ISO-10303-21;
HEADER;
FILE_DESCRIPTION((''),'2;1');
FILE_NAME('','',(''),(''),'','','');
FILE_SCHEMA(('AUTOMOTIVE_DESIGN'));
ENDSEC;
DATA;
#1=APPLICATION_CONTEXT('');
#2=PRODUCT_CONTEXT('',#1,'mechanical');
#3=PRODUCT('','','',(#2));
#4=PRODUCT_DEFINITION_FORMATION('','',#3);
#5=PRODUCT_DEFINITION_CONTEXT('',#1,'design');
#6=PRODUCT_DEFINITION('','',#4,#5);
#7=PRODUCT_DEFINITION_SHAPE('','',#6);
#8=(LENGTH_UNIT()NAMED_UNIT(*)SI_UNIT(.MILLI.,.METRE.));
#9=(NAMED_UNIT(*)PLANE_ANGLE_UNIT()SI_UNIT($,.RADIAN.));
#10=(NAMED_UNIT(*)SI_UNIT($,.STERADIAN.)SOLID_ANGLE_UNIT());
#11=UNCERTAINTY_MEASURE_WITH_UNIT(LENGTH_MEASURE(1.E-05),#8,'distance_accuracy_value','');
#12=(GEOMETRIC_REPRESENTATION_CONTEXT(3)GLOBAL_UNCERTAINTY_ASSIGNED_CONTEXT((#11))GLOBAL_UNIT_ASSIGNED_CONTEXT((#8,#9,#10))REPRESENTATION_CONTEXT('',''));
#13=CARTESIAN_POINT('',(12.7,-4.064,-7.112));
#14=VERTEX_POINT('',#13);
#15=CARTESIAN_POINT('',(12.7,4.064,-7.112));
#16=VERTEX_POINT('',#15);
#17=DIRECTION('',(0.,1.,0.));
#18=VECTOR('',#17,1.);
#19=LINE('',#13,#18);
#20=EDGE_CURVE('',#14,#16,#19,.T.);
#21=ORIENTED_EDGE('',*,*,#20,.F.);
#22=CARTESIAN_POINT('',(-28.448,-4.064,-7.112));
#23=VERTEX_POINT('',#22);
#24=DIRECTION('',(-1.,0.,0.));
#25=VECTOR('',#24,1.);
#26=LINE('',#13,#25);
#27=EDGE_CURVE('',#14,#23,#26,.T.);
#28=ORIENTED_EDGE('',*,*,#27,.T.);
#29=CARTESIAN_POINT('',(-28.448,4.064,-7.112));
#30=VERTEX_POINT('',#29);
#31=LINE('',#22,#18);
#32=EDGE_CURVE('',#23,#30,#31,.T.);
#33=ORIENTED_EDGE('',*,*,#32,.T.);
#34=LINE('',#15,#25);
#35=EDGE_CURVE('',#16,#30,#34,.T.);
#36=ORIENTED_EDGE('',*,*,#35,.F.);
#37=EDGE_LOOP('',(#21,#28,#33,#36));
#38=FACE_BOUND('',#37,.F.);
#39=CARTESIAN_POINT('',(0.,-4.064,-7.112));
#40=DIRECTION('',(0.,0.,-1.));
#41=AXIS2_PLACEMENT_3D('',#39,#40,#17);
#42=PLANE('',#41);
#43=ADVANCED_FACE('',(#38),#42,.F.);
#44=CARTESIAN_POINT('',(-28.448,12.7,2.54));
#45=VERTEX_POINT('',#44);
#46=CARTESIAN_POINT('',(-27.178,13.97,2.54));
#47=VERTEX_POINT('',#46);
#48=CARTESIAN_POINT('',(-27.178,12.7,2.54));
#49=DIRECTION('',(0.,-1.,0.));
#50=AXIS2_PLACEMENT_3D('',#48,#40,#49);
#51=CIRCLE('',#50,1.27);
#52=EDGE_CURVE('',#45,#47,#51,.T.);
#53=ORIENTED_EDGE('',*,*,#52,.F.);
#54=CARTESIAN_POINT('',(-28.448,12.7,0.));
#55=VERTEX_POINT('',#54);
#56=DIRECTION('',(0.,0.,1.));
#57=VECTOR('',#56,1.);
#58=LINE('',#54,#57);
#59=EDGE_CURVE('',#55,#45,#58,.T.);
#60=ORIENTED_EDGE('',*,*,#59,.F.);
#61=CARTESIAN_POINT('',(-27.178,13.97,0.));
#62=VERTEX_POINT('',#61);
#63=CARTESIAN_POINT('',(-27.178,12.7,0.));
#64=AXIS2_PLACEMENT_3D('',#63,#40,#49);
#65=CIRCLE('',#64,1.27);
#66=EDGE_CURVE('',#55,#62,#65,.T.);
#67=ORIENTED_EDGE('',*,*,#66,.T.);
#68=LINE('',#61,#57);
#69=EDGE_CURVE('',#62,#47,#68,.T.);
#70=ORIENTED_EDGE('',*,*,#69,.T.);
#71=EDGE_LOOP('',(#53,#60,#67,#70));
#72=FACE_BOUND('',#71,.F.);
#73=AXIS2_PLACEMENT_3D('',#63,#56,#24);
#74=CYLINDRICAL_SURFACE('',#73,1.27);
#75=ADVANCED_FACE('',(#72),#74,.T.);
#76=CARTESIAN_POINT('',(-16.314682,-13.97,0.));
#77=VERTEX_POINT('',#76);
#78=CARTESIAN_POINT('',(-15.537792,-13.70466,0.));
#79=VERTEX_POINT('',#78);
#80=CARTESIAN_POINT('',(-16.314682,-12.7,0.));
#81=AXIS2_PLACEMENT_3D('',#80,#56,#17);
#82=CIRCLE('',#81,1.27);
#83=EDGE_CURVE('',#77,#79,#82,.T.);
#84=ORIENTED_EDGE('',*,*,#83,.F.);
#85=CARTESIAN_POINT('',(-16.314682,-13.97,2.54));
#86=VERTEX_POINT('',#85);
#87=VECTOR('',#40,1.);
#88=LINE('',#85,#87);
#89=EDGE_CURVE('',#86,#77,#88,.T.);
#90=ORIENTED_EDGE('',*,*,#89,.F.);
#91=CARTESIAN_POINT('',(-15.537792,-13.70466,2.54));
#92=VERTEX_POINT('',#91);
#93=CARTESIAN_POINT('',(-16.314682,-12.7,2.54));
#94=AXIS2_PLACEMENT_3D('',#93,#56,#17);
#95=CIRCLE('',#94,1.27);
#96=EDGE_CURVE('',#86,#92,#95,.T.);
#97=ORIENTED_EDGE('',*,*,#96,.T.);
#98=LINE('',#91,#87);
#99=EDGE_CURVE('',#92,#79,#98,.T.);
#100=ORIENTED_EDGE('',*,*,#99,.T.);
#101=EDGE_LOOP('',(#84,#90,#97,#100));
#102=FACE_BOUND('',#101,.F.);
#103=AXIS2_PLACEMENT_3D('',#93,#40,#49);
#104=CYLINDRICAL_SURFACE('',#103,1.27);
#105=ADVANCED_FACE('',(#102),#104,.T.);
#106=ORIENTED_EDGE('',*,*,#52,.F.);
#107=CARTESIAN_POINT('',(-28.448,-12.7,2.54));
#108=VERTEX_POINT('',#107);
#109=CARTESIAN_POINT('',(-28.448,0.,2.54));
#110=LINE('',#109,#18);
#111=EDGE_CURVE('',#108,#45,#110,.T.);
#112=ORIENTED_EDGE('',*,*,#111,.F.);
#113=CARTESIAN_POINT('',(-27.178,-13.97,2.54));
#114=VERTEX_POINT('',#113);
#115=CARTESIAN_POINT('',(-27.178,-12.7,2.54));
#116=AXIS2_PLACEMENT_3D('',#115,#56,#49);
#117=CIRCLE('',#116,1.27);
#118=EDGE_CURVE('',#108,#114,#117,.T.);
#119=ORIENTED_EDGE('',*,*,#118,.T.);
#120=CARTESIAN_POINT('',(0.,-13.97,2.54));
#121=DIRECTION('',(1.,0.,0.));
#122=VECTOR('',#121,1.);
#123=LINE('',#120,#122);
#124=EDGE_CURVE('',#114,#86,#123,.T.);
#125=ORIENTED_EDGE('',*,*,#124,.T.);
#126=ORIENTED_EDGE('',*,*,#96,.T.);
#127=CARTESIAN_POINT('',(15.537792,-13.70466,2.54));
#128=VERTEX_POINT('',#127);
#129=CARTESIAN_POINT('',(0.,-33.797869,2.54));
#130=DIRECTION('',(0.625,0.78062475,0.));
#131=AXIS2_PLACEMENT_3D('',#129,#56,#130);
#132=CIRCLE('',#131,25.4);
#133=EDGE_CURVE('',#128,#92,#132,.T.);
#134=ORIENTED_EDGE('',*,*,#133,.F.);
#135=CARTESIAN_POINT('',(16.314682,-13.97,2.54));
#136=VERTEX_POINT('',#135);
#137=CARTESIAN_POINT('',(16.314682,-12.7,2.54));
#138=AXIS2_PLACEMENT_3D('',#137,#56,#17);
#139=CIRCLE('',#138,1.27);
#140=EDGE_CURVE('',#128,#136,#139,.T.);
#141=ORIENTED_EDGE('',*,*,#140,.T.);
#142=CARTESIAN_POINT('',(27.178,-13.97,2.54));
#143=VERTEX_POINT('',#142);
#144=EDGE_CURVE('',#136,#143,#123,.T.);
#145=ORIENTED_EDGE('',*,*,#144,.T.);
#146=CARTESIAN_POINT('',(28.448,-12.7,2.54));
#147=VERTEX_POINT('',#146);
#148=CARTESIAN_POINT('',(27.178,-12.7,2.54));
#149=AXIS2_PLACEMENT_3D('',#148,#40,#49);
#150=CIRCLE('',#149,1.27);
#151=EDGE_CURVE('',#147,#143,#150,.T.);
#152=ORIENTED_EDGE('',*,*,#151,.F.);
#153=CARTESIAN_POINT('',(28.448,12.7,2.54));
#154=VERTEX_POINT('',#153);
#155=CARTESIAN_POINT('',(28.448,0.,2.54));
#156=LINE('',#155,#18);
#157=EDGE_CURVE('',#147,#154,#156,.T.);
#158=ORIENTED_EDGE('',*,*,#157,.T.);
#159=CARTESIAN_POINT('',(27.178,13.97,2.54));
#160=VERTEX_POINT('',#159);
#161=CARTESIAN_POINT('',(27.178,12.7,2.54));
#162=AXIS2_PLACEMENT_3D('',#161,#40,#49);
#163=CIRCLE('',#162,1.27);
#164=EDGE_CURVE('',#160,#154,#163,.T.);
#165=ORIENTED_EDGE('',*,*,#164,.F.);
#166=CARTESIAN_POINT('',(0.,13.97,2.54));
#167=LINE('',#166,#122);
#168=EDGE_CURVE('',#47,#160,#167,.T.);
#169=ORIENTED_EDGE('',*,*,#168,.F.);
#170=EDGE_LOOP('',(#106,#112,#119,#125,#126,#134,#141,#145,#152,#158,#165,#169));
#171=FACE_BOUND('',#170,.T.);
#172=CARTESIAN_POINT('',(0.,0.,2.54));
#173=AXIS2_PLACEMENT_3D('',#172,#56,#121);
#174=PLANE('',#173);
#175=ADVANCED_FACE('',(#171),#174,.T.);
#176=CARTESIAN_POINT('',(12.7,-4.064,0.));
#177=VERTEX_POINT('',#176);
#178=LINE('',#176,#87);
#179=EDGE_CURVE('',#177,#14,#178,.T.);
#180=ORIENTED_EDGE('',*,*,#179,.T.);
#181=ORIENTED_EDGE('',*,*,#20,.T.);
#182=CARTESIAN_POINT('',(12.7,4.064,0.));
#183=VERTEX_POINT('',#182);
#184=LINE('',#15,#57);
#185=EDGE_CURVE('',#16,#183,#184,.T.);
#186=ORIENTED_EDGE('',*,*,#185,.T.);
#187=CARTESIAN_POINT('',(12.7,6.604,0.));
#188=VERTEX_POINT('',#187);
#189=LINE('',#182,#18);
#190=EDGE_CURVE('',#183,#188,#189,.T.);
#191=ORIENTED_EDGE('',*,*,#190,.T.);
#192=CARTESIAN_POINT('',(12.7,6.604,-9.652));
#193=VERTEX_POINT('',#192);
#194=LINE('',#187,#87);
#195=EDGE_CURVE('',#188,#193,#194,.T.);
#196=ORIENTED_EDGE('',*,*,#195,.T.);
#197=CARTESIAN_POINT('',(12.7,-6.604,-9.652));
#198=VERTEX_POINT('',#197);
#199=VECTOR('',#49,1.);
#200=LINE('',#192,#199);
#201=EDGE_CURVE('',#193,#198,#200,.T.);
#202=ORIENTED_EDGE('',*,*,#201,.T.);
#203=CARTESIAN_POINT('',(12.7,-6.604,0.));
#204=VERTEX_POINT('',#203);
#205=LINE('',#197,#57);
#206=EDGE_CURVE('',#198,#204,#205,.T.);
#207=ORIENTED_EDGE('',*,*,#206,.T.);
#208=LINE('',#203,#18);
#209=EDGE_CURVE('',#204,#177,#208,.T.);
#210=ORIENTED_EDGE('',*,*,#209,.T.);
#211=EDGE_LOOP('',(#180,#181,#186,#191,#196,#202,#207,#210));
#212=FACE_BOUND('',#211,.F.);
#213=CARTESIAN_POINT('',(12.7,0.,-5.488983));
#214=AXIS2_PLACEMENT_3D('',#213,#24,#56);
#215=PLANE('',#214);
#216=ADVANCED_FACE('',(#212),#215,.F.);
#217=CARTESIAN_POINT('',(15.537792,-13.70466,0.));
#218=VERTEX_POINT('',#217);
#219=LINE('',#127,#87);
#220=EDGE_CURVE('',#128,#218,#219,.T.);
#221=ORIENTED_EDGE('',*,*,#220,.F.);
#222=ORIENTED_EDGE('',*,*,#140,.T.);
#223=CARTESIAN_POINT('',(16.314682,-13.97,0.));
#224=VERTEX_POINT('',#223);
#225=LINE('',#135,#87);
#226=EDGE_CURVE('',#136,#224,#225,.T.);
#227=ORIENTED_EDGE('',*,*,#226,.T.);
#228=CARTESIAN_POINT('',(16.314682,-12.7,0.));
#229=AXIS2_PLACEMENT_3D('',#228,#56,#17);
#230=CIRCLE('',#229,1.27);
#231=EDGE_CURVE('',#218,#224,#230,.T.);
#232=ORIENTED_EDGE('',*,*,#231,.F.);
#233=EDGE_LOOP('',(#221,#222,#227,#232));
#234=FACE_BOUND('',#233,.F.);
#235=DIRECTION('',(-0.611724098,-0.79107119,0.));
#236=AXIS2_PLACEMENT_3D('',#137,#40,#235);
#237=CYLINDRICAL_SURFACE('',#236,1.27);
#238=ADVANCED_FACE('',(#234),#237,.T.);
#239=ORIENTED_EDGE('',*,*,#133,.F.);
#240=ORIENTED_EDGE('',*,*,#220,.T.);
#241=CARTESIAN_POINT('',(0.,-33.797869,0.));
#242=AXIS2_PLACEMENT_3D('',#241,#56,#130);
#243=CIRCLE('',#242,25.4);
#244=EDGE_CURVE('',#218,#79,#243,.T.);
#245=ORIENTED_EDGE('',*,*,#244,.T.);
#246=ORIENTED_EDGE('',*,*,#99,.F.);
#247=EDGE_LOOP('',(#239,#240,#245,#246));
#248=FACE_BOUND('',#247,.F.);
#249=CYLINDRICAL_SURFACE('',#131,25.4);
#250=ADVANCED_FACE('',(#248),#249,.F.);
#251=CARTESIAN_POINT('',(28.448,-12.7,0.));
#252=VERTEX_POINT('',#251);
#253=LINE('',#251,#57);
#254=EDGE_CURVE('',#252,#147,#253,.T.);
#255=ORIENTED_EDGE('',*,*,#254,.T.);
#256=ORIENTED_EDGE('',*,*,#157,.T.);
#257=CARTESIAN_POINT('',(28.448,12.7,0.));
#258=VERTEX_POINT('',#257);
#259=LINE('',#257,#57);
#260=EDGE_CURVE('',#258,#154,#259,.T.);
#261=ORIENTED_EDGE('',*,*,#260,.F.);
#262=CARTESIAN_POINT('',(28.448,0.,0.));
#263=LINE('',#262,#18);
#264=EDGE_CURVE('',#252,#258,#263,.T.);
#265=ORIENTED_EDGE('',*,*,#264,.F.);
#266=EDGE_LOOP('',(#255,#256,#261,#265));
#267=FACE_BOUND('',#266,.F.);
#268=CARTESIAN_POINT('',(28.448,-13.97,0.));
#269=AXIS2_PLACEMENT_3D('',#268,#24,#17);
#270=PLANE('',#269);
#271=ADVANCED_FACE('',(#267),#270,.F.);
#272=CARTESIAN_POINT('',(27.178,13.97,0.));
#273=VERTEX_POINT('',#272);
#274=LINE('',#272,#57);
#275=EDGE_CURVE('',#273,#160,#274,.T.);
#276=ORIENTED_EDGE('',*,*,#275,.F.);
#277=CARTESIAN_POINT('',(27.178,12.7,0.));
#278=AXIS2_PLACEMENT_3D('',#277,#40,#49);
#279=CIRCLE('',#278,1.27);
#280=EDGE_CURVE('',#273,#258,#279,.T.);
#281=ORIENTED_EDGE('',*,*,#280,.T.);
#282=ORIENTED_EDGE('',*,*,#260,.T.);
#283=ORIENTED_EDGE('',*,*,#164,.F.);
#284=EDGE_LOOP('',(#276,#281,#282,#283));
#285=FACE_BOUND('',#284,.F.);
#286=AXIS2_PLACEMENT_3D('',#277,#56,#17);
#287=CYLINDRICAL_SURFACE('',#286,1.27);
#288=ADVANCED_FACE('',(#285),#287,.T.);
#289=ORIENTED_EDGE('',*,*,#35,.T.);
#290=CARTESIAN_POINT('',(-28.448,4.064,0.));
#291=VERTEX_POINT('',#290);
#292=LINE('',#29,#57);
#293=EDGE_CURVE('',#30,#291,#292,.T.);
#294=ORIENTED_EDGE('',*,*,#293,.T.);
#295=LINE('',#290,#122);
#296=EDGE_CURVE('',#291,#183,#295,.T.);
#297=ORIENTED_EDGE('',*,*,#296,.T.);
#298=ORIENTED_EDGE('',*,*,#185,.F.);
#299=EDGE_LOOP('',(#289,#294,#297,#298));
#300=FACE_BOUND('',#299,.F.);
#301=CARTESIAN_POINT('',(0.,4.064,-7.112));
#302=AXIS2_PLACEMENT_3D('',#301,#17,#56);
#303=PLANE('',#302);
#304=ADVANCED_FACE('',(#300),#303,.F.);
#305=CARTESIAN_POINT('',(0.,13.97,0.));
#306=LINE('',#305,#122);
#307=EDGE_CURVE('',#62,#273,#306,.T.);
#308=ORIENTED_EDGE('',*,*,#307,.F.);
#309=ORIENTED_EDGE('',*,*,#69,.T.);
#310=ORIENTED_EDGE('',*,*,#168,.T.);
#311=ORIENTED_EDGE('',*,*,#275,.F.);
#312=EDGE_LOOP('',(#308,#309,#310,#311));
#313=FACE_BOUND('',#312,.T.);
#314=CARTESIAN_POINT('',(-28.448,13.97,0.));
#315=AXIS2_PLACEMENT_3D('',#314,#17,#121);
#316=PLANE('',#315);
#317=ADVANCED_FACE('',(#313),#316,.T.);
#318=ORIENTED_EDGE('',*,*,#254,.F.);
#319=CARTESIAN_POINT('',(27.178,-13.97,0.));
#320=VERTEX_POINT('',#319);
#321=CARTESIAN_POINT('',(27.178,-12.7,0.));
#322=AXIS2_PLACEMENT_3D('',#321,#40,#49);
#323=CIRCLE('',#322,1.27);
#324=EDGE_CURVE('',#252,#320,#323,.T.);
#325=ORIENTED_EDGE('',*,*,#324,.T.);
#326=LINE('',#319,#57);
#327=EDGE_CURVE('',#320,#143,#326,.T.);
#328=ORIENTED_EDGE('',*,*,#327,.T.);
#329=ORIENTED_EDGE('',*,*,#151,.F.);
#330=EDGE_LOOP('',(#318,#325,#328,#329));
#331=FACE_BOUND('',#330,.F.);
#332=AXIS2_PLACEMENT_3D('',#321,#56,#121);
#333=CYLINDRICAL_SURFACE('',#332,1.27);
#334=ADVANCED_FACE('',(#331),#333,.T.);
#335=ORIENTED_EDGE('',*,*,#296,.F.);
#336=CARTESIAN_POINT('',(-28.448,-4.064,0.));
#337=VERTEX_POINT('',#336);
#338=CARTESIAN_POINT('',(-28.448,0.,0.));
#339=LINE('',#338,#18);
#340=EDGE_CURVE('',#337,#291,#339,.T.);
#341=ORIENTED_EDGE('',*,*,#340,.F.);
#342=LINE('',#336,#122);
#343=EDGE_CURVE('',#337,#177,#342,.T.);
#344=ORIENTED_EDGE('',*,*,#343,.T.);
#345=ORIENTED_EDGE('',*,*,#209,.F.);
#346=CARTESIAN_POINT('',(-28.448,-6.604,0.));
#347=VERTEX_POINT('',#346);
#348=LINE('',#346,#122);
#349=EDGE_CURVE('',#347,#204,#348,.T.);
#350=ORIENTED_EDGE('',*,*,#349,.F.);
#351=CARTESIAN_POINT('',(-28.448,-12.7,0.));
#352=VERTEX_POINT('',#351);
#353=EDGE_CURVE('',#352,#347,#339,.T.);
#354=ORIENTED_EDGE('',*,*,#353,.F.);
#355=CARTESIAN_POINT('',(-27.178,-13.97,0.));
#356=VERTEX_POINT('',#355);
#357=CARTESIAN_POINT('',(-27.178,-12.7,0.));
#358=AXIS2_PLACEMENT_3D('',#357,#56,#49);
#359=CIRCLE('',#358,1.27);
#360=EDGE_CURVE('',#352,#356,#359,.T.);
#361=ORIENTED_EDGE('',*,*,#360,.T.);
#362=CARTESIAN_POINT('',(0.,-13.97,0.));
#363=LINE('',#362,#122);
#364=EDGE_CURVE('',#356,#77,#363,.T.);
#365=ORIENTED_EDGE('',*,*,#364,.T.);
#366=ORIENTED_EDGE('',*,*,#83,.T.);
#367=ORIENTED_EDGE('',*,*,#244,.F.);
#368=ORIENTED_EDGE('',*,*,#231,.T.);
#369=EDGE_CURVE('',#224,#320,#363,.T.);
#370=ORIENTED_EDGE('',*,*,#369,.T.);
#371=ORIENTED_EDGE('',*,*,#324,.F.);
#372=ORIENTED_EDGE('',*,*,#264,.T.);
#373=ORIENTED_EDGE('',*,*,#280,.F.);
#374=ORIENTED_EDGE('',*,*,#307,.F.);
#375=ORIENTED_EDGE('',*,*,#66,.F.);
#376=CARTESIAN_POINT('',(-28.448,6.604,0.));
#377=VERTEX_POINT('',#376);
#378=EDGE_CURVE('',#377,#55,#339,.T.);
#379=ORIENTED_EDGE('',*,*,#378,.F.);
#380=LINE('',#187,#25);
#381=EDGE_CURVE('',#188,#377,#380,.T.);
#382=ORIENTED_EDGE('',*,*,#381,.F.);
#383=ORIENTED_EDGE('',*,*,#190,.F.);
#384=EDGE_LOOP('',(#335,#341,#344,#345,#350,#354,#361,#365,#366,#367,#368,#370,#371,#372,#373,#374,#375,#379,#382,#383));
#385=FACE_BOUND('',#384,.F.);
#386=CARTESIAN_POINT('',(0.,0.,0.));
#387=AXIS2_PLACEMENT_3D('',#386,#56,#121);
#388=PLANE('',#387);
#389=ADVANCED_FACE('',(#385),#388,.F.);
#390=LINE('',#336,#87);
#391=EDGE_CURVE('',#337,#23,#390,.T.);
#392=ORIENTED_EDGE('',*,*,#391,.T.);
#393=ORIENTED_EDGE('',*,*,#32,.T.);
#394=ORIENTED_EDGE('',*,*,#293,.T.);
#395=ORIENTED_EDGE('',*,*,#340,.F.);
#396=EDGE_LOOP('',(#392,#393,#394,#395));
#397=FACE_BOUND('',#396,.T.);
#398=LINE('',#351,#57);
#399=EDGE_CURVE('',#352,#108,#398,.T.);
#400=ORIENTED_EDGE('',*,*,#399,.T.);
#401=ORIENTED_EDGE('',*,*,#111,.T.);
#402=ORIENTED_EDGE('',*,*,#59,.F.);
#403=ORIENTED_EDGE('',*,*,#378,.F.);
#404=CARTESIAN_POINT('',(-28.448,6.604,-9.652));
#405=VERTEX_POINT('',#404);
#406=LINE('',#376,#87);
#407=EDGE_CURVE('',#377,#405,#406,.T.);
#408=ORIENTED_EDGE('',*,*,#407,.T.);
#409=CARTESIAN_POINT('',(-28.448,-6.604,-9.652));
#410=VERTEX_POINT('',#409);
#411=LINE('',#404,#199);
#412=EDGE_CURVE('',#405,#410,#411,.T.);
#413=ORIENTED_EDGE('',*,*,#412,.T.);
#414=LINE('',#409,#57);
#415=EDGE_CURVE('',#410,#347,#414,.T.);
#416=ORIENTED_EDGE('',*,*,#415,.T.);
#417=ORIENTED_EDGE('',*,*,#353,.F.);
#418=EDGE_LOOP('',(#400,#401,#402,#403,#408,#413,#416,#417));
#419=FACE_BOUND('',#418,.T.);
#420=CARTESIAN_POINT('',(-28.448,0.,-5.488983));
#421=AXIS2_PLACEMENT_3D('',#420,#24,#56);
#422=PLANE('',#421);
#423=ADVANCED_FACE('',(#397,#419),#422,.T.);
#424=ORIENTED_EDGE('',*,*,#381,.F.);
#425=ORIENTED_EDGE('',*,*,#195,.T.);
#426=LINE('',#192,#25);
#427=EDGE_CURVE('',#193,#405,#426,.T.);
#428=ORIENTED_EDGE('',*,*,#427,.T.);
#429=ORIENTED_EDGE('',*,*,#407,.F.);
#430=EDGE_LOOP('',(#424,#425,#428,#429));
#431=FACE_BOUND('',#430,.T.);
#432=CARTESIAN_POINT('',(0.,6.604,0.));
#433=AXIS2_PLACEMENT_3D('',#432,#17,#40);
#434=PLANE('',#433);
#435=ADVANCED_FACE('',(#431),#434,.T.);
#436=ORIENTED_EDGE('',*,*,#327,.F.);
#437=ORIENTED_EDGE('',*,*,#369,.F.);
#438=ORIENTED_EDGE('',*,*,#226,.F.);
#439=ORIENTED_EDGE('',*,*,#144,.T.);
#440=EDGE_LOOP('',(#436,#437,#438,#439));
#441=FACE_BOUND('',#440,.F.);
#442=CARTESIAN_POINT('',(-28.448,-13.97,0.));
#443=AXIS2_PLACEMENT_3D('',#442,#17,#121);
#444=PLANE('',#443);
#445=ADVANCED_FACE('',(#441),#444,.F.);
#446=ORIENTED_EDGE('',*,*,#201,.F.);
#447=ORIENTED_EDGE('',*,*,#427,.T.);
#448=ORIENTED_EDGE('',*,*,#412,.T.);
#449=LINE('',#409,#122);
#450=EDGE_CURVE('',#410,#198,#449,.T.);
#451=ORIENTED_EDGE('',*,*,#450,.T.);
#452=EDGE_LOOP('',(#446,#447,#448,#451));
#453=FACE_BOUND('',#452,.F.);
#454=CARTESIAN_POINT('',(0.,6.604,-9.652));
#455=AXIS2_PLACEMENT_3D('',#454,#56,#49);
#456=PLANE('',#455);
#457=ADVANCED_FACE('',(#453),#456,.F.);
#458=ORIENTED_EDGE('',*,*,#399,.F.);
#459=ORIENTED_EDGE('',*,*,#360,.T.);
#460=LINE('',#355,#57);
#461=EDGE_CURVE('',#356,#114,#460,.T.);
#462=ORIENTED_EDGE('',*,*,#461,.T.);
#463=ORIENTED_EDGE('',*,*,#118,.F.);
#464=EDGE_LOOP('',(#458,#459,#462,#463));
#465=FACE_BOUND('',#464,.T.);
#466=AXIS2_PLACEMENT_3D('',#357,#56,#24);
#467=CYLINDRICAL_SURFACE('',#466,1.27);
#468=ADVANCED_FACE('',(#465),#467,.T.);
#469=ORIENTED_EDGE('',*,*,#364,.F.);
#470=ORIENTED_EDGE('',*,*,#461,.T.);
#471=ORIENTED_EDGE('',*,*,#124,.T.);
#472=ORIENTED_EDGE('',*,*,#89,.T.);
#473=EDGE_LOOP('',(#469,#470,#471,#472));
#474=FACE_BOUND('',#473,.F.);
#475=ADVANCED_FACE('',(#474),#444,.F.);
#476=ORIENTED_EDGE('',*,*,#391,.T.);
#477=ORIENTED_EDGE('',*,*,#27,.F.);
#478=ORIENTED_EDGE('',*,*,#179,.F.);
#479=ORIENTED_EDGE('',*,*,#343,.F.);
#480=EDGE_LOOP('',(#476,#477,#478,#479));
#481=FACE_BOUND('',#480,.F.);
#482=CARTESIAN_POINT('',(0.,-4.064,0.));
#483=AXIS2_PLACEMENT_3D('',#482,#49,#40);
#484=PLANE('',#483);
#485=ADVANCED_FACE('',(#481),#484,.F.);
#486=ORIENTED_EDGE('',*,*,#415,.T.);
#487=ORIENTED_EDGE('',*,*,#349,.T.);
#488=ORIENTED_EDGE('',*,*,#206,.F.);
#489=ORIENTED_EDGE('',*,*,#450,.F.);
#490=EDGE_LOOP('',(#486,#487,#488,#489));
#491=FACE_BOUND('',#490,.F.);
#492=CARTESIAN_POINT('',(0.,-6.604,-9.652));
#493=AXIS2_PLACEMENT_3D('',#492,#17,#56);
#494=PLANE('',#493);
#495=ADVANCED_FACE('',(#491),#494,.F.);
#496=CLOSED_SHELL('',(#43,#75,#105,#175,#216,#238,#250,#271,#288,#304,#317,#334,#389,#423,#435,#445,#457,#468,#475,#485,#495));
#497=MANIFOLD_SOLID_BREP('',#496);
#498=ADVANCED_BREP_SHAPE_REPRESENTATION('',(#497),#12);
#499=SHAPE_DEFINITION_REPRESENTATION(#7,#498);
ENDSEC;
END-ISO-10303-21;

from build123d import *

# Parameters (mm, degrees)
SKETCH1_W                = 56.896
SKETCH1_H                = 27.94
BOSS_EXTRUDE1_DEPTH      = 2.54
CUT_EXTRUDE1_DEPTH       = 3.54
FILLET1_R                = 1.27
EXTRUDE_THIN1_DEPTH      = 12.7
EXTRUDE_THIN1_DEPTH_BACK = 28.448


with BuildPart() as part:
    # Sketch1 → Boss-Extrude1 (new body)
    with BuildSketch(Plane.XY):
        Rectangle(SKETCH1_W, SKETCH1_H)
    extrude(amount=BOSS_EXTRUDE1_DEPTH)

    # Sketch2 → Cut-Extrude1 (cut, through all)
    with BuildSketch(Plane.XY.offset(2.54)):
        with BuildLine():
            Line((-15.875, -13.97), (15.875, -13.97))
            ThreePointArc((15.875, -13.97), (0, -8.397868645), (-15.875, -13.97))
        make_face()
    extrude(amount=-CUT_EXTRUDE1_DEPTH, mode=Mode.SUBTRACT)

    # Fillet1
    fillet1_edges = [part.edges().sort_by_distance(p)[0] for p in [
        (-15.875, -13.97, 1.27),
        (15.875, -13.97, 1.27),
        (28.448, -13.97, 1.27),
        (-28.448, -13.97, 1.27),
        (-28.448, 13.97, 1.27),
        (28.448, 13.97, 1.27),
    ]]
    fillet(fillet1_edges, radius=FILLET1_R)

    # Sketch4 → Extrude-Thin1 (add, two sides)
    with BuildSketch(Plane(origin=(0, 0, 0), x_dir=(0, 0, -1), z_dir=(1, 0, 0))) as extrude_thin1_sk:
        Polygon((0, -4.064), (7.112, -4.064), (7.112, 4.064), (0, 4.064), (0, 6.604), (9.652, 6.604), (9.652, -6.604), (0, -6.604), align=None)
    extrude(amount=EXTRUDE_THIN1_DEPTH)
    extrude(extrude_thin1_sk.sketch, amount=-EXTRUDE_THIN1_DEPTH_BACK)


solid = part.part
